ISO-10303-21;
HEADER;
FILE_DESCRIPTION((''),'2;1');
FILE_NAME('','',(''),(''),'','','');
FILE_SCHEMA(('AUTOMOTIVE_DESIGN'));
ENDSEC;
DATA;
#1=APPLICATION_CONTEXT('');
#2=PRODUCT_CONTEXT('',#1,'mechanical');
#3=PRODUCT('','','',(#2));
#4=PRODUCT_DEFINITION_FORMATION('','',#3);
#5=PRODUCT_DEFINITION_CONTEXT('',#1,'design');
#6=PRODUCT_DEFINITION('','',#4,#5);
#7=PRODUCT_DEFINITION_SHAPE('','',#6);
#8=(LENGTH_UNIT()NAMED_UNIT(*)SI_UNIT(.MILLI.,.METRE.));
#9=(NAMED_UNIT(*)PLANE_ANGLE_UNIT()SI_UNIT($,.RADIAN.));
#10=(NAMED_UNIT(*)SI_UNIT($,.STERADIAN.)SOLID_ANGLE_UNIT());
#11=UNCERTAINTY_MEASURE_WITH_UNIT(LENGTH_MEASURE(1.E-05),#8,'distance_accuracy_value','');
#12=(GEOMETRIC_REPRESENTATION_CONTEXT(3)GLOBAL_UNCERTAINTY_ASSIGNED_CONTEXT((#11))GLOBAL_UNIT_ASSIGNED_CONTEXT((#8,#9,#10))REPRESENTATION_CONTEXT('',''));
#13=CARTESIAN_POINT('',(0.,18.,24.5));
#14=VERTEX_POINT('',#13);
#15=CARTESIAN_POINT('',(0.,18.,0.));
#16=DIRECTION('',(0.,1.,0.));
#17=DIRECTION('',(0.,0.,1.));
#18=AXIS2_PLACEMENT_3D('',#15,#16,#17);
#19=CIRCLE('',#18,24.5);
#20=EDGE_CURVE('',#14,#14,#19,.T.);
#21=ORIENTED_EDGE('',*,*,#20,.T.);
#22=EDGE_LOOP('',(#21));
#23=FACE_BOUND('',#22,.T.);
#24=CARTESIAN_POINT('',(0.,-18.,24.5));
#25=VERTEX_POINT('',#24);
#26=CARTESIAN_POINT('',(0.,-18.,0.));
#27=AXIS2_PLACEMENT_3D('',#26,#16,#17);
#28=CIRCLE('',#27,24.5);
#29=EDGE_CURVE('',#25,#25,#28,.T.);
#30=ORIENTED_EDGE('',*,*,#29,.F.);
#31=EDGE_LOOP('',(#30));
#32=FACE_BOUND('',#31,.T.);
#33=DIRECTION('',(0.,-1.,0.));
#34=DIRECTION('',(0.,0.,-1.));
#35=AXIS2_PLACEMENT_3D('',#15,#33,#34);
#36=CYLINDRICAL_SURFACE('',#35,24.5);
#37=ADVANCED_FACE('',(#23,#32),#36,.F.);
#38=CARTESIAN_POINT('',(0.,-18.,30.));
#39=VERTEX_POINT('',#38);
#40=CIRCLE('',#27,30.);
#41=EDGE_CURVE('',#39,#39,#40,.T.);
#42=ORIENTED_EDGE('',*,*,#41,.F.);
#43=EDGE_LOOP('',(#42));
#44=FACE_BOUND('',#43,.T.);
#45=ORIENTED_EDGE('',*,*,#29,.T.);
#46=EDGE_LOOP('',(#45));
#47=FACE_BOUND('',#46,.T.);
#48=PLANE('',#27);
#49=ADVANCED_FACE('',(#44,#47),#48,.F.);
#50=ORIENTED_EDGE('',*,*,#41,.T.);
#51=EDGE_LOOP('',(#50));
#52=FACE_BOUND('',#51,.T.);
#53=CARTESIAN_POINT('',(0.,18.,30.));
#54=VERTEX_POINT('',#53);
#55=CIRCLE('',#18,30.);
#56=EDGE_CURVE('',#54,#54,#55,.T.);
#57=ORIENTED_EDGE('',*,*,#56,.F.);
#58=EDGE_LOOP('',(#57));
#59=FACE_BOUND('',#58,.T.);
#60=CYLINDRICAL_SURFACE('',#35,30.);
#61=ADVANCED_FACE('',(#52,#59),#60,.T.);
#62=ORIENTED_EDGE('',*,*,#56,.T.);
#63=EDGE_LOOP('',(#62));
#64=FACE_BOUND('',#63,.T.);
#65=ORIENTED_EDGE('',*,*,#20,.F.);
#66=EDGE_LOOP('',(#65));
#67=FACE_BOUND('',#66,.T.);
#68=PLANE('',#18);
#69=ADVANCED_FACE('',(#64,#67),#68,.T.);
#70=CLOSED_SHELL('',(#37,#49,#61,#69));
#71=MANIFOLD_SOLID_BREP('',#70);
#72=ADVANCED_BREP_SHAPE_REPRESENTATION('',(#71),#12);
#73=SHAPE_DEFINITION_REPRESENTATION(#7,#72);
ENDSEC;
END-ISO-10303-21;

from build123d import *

# Parameters (mm, degrees)
SKETCH_1_R      = 30
SKETCH_1_R_2    = 24.5
EXTRUDE_1_DEPTH = 18


with BuildPart() as part:
    # 草图1 → 凸台-拉伸1 (new, symmetric)
    with BuildSketch(Plane(origin=(0, 0, 0), x_dir=(1, 0, 0), z_dir=(0, 1, 0))):
        with Locations(Location((0, 0, 0), (0, 0, 270))):
            Circle(SKETCH_1_R)
        with Locations(Location((0, 0, 0), (0, 0, 270))):
            Circle(SKETCH_1_R_2, mode=Mode.SUBTRACT)
    extrude(amount=EXTRUDE_1_DEPTH, both=True)


solid = part.part
